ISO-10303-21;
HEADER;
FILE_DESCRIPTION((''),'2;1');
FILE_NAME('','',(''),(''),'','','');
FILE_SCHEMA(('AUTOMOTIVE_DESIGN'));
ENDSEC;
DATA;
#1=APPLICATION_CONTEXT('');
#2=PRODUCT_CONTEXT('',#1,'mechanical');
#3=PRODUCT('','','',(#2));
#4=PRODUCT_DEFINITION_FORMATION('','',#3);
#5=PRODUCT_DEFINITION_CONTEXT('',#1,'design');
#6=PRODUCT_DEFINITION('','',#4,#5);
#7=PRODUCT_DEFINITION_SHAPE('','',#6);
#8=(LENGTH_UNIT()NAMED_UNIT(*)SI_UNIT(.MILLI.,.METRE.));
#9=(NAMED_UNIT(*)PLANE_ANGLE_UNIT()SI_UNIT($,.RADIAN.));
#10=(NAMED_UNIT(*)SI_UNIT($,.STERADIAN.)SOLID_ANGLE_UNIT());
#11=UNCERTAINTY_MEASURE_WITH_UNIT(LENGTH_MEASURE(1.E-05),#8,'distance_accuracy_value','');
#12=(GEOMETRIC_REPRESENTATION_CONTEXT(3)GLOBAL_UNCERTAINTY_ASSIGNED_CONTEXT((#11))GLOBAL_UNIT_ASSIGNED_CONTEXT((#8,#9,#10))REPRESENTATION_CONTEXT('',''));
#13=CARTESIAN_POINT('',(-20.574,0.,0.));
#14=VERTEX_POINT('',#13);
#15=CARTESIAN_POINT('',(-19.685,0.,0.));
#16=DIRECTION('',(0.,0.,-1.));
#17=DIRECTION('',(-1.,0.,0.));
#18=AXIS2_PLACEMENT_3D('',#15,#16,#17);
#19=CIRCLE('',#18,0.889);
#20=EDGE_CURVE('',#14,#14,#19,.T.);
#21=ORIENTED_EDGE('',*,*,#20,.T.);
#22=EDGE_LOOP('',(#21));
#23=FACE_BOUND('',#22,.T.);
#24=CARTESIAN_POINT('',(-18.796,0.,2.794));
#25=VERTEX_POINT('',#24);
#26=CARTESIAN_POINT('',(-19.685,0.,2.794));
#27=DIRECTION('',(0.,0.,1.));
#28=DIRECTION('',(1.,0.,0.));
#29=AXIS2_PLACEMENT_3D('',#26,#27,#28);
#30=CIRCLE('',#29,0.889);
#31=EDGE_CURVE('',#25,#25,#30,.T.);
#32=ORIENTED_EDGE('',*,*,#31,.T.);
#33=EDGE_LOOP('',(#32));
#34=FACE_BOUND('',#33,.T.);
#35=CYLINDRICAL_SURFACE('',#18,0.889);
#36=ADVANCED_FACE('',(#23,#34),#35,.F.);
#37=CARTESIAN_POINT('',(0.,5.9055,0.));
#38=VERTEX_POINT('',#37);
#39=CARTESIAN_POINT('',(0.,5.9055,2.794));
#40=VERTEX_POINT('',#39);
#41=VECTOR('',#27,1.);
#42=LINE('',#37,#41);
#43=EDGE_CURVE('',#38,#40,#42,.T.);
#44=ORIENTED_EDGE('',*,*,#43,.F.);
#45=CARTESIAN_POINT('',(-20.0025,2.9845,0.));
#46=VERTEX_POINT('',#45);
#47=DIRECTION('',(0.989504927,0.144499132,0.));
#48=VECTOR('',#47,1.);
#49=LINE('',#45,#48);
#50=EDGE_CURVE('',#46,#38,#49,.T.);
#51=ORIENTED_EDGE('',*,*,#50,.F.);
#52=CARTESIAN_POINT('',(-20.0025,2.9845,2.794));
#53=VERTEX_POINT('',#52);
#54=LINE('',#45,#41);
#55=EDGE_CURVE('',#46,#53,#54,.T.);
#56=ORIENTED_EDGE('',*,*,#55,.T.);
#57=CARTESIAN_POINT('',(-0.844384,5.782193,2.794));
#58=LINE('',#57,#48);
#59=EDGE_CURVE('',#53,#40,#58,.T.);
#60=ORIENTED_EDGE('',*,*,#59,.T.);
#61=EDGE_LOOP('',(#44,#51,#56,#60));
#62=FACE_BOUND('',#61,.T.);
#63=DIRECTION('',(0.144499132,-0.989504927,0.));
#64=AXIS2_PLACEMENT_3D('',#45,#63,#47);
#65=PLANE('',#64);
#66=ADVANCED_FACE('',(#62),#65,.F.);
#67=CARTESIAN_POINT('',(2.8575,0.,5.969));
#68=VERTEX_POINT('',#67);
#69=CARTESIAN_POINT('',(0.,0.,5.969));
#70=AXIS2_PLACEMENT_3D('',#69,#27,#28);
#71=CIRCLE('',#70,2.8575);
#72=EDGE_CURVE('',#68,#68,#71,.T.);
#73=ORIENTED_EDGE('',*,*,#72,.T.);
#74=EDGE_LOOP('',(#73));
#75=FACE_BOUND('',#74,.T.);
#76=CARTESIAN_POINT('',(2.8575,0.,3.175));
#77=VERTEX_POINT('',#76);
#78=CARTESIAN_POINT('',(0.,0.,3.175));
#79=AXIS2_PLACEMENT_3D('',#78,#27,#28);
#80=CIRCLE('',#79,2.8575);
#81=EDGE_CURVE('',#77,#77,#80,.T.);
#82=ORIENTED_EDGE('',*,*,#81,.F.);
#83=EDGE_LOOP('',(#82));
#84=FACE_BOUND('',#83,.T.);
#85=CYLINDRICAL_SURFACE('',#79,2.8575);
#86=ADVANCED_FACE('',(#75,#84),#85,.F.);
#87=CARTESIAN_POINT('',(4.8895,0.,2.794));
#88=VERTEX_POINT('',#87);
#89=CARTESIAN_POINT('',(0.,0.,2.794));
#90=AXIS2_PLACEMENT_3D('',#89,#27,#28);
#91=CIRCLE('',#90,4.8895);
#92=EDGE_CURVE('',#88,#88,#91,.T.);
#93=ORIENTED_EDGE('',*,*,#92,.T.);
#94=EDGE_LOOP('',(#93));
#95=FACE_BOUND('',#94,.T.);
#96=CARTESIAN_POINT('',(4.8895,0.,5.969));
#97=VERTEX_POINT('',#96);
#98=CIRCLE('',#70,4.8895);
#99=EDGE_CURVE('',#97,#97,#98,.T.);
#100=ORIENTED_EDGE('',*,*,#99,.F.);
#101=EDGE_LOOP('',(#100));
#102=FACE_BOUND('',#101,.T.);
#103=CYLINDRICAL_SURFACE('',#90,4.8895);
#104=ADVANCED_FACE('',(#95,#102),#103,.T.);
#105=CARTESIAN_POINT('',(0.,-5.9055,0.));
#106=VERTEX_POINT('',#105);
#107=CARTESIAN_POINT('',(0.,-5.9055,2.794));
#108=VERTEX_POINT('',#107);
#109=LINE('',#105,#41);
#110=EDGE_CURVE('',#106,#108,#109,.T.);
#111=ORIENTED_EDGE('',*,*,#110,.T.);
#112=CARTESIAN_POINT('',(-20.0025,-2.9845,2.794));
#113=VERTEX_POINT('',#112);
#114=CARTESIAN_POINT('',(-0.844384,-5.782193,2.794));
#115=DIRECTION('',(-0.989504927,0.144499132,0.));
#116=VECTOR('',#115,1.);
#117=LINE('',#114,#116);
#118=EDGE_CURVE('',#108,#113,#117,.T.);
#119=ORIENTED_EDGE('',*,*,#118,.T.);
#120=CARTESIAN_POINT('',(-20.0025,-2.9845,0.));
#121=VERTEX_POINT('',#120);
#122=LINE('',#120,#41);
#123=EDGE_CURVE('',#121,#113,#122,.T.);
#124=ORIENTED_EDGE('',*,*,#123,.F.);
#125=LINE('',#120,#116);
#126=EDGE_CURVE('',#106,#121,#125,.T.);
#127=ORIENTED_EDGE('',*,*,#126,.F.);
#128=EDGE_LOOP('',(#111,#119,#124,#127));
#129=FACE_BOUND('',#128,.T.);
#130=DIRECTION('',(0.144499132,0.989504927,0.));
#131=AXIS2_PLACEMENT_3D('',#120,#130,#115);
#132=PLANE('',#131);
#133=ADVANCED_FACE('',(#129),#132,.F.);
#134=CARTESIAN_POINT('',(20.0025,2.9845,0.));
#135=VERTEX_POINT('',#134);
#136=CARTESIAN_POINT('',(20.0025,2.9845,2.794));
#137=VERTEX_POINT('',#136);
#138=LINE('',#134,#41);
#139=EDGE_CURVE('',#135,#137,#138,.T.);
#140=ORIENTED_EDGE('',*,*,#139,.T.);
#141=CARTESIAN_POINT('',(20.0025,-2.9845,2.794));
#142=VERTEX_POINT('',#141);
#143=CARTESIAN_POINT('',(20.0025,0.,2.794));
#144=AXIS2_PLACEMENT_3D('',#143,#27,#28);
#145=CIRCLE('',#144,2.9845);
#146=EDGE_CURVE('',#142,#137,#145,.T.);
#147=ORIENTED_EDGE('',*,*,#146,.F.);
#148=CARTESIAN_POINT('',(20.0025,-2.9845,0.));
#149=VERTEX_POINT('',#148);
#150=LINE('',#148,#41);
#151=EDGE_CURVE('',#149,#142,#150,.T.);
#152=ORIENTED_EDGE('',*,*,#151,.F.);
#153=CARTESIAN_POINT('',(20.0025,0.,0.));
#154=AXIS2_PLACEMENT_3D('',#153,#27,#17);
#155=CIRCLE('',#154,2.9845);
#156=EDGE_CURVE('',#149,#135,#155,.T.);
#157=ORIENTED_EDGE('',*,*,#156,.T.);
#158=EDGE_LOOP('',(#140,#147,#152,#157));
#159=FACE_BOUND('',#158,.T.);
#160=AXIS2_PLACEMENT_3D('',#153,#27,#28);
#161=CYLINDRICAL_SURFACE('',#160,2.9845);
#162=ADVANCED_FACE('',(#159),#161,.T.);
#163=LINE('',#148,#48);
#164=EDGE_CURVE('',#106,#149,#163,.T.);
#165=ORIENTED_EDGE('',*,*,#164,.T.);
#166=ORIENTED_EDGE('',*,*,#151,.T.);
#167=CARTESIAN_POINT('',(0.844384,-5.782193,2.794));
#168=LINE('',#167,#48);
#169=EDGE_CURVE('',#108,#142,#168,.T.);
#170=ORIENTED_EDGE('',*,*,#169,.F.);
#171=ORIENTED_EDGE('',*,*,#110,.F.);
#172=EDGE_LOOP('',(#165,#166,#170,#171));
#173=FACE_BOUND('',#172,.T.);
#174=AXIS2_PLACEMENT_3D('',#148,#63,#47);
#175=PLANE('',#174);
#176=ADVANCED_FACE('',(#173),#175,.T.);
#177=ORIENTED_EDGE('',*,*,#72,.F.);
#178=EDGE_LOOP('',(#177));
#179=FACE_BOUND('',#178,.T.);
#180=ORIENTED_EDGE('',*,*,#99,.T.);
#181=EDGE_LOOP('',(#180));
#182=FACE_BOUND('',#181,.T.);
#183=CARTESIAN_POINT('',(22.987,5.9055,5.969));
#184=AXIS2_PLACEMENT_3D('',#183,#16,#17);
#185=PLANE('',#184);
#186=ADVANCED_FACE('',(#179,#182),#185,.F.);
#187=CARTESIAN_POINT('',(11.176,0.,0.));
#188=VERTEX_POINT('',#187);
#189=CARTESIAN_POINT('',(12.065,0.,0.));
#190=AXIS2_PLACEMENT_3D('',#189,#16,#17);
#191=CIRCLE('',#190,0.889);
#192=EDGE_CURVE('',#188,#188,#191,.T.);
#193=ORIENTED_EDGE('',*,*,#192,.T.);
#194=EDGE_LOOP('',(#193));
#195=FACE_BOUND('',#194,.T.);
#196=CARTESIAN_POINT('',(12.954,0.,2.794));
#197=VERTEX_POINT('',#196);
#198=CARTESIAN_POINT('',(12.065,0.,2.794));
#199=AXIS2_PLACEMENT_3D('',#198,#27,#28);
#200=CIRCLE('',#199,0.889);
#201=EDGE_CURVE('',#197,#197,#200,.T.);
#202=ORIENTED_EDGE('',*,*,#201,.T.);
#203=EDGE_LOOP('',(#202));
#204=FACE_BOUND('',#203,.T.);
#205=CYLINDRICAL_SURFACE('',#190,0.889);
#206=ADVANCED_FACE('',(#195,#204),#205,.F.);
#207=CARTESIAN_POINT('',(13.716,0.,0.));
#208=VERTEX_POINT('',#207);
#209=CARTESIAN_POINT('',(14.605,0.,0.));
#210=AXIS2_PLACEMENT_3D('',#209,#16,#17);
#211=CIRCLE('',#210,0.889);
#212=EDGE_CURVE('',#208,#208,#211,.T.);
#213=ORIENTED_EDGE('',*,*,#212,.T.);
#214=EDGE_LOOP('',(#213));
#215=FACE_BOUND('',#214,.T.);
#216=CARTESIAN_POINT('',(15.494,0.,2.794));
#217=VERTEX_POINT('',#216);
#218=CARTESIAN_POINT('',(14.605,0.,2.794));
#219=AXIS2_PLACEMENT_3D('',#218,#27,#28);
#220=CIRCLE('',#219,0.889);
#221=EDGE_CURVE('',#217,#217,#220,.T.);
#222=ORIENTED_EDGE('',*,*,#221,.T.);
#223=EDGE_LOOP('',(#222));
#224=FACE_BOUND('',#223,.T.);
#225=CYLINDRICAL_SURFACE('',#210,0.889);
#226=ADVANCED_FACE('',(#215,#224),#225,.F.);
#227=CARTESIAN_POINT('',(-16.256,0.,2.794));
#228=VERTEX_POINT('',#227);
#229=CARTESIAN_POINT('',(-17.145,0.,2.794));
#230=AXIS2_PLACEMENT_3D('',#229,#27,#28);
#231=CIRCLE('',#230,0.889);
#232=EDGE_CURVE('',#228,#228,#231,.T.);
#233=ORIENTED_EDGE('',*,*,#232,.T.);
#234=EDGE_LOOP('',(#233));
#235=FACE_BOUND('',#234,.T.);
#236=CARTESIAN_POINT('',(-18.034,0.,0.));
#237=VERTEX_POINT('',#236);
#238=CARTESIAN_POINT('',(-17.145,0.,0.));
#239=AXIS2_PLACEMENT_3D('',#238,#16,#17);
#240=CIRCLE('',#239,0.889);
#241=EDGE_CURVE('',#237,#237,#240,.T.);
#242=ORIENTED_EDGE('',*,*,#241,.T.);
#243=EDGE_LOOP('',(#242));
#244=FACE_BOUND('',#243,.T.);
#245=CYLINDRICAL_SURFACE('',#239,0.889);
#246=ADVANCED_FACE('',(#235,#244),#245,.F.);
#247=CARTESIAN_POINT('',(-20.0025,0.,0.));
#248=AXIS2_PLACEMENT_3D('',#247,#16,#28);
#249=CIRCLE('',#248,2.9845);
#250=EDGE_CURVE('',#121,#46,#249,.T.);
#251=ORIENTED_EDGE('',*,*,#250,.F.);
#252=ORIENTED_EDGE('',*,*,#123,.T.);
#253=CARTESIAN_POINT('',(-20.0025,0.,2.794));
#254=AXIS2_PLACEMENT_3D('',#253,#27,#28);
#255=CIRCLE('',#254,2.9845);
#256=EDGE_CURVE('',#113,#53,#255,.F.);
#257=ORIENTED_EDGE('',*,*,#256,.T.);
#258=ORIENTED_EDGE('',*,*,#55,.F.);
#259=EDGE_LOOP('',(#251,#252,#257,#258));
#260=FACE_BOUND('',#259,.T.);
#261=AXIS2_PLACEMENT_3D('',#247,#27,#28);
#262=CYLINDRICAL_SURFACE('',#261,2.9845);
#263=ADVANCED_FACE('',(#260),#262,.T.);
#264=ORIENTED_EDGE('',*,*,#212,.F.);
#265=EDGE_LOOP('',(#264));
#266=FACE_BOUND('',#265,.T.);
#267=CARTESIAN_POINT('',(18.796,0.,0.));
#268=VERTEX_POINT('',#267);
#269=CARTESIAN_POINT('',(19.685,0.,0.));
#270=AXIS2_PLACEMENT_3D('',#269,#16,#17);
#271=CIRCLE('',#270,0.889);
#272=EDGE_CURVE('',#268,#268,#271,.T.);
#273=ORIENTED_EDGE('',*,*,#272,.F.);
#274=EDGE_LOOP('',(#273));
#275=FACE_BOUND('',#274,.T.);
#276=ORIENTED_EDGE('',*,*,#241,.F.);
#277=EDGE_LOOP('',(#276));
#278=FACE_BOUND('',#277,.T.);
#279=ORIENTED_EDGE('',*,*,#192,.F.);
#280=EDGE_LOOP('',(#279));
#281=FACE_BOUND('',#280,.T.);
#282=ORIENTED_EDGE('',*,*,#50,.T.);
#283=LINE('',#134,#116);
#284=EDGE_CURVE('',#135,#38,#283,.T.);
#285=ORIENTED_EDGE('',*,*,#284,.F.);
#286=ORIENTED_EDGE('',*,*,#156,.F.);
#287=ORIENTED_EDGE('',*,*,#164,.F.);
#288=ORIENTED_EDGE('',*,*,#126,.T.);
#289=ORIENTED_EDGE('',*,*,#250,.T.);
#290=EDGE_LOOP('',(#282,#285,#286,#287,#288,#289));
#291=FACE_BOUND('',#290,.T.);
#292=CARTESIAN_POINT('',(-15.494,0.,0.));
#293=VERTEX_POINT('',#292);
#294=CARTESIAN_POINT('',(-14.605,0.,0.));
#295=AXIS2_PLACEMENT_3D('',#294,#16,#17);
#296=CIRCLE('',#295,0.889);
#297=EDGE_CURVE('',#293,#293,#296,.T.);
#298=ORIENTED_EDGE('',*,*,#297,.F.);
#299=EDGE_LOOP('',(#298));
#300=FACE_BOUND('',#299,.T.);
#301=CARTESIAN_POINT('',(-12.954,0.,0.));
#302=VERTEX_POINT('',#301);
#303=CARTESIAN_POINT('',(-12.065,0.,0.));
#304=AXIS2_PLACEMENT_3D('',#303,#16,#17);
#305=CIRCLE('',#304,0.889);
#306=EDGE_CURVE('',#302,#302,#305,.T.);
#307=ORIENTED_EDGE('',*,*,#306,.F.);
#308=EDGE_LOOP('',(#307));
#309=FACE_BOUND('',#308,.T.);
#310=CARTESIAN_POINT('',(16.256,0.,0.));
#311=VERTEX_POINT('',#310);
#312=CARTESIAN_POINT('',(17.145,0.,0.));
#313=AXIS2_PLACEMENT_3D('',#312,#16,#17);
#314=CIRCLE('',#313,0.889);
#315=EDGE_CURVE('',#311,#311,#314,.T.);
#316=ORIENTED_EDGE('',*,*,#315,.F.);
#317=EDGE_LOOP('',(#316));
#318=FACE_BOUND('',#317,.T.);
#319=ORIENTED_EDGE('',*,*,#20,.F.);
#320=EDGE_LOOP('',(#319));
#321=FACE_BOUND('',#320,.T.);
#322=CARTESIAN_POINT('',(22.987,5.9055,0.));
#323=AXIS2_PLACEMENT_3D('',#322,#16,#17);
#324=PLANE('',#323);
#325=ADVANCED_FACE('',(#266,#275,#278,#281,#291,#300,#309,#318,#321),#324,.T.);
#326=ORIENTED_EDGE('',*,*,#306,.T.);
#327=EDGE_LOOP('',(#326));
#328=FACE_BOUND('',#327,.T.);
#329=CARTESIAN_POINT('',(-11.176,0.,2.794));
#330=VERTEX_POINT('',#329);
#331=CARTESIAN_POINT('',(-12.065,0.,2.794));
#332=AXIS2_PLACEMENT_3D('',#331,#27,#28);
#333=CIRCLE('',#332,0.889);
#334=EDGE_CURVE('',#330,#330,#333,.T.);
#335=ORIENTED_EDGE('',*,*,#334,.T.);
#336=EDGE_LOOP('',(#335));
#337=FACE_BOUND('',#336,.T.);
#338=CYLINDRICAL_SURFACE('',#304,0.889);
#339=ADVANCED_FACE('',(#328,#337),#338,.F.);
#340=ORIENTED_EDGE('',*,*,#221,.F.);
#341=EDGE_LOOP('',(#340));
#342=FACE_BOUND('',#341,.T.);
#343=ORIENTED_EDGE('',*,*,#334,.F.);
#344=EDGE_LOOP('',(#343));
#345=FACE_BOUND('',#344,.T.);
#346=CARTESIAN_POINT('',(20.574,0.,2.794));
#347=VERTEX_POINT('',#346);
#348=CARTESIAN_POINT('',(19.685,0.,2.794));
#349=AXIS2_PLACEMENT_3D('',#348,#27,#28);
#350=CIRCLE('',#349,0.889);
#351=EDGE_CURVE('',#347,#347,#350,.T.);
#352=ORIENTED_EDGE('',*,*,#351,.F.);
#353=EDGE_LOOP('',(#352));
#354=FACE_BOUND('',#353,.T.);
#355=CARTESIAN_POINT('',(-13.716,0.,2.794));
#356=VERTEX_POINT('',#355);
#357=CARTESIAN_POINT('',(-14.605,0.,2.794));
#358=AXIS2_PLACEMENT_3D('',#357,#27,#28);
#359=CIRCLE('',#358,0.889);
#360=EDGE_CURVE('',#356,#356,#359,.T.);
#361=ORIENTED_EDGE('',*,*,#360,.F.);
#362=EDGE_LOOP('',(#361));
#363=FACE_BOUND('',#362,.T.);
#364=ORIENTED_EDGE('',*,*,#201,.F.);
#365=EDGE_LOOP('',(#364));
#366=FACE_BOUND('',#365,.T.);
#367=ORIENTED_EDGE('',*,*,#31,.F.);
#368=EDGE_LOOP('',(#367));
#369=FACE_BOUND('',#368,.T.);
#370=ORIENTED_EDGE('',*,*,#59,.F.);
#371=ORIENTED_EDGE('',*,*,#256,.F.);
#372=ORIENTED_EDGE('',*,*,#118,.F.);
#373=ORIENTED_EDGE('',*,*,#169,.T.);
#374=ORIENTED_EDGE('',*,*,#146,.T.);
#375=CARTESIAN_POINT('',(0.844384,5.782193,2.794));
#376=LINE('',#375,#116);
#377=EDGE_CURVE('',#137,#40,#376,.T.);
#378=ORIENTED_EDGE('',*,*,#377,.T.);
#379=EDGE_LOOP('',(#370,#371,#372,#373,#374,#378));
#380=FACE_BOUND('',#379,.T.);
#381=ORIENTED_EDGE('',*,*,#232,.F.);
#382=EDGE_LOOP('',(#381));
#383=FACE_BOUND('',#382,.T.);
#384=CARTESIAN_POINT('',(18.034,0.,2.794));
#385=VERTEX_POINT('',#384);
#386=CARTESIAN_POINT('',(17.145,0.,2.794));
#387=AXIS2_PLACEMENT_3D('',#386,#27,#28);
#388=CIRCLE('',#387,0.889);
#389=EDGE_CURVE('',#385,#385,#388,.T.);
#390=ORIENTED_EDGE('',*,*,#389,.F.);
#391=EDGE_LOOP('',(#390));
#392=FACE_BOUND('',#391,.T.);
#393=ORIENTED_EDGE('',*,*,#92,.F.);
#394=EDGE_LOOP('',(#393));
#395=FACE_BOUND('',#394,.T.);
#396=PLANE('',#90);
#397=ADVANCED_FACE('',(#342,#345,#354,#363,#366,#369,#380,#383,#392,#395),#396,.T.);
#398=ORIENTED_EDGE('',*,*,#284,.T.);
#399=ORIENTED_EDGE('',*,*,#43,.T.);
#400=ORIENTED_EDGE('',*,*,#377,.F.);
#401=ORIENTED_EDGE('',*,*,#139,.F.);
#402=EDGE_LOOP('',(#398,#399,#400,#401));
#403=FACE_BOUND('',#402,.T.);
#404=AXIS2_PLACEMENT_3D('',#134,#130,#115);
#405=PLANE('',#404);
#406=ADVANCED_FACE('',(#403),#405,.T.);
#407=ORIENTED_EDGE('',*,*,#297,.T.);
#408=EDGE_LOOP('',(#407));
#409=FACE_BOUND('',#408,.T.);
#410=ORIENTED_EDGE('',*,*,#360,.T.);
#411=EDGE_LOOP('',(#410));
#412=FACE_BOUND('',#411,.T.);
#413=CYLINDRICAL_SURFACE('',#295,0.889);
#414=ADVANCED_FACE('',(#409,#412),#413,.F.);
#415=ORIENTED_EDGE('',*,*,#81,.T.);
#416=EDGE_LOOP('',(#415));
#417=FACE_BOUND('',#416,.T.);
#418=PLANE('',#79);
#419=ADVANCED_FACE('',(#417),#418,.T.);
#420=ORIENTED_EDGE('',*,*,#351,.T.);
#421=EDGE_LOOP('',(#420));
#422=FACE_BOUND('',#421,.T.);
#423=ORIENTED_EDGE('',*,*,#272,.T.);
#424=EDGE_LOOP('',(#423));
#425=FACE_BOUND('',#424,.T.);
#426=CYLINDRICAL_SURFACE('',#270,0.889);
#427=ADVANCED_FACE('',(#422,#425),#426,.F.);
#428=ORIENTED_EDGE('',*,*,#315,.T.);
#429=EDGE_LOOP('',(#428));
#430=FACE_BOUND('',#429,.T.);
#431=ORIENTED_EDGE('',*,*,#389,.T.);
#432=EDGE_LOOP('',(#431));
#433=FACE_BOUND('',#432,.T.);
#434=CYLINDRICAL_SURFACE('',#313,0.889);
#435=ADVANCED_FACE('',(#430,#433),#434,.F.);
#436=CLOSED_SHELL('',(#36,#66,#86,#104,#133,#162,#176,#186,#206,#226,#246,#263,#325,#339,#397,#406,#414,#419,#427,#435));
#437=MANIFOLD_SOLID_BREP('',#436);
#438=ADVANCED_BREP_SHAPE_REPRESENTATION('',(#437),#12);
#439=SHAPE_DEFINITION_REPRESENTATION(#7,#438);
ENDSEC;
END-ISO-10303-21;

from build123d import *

# Parameters (mm, degrees)
SKETCH1_W         = 45.974
SKETCH1_H         = 11.811
EXTRUDE1_DEPTH    = 5.969
SKETCH2_OUTSIDE_W = 57.542
SKETCH2_OUTSIDE_H = 23.379
SKETCH2_OUTSIDE_R = 4.8895
EXTRUDE2_DEPTH    = 3.175
SKETCH3_R         = 2.8575
EXTRUDE3_DEPTH    = 2.794
LPATTERN1_COUNT   = 4
LPATTERN1_PITCH   = 2.54
EXTRUDE4_DEPTH    = 6.969


with BuildPart() as part:
    # Sketch1 → Extrude1 (new body)
    with BuildSketch(Plane.XY):
        Rectangle(SKETCH1_W, SKETCH1_H)
    extrude(amount=EXTRUDE1_DEPTH)

    # Sketch2 outside → Extrude2 (cut)
    with BuildSketch(Plane.XY.offset(5.969)):
        with Locations((0, -0.0005)):
            Rectangle(SKETCH2_OUTSIDE_W, SKETCH2_OUTSIDE_H)
        Circle(SKETCH2_OUTSIDE_R, mode=Mode.SUBTRACT)
    extrude(amount=-EXTRUDE2_DEPTH, mode=Mode.SUBTRACT)

    # Sketch3 → Extrude3 (cut)
    with BuildSketch(Plane.XY.offset(5.969)):
        Circle(SKETCH3_R)
    extrude(amount=-EXTRUDE3_DEPTH, mode=Mode.SUBTRACT)

    # Sketch5 → #50 (0.07) Diameter Hole1 (revolve, cut)
    with BuildSketch(Plane.YZ.offset(12.065)):
        Polygon((0, 0), (0, 5.61416509), (0.889, 5.08), (0.889, 0), align=None)
    f_50_0_07_diameter_hole1 = revolve(axis=Axis((12.065, 0, -6.35), (0, 0, 1)), mode=Mode.SUBTRACT)

    # LPattern1: #50 (0.07) Diameter Hole1 ×4
    with Locations(*[(i * LPATTERN1_PITCH, 0, 0) for i in range(1, LPATTERN1_COUNT)]):
        add(f_50_0_07_diameter_hole1, mode=Mode.SUBTRACT)

    # Mirror1: #50 (0.07) Diameter Hole1 across plane
    add(f_50_0_07_diameter_hole1.mirror(Plane(origin=(0, 0, 0), x_dir=(0, 0, 1), z_dir=(1, 0, 0))), mode=Mode.SUBTRACT)

    # Mirror1 copy 1 sketch → Mirror1 copy 1 (revolve, cut)
    with BuildSketch(Plane(origin=(-14.605, 0, 0), x_dir=(0, 1, 0), z_dir=(-1, 0, 0))):
        Polygon((0, 0), (0, -5.61416509), (0.889, -5.08), (0.889, 0), align=None)
    revolve(axis=Axis((-14.605, 0, -6.35), (0, 0, -1)), mode=Mode.SUBTRACT)

    # Mirror1 copy 2 sketch → Mirror1 copy 2 (revolve, cut)
    with BuildSketch(Plane(origin=(-17.145, 0, 0), x_dir=(0, 1, 0), z_dir=(-1, 0, 0))):
        Polygon((0, 0), (0, -5.61416509), (0.889, -5.08), (0.889, 0), align=None)
    revolve(axis=Axis((-17.145, 0, -6.35), (0, 0, -1)), mode=Mode.SUBTRACT)

    # Mirror1 copy 3 sketch → Mirror1 copy 3 (revolve, cut)
    with BuildSketch(Plane(origin=(-19.685, 0, 0), x_dir=(0, 1, 0), z_dir=(-1, 0, 0))):
        Polygon((0, 0), (0, -5.61416509), (0.889, -5.08), (0.889, 0), align=None)
    revolve(axis=Axis((-19.685, 0, -6.35), (0, 0, -1)), mode=Mode.SUBTRACT)

    # Sketch6 → Extrude4 (cut, through all)
    with BuildSketch(Plane(origin=(0, 0, 0), x_dir=(-1, 0, 0), z_dir=(0, 0, -1))):
        with BuildLine():
            Line((-61.04017999, 14.819304062), (0, 5.9055))
            Line((0, 5.9055), (20.0025, 2.9845))
            ThreePointArc((20.0025, 2.9845), (22.112860188, 2.110360188), (22.987, 0))
            ThreePointArc((22.987, 0), (22.112860188, -2.110360188), (20.0025, -2.9845))
            Line((20.0025, -2.9845), (0, -5.9055))
            Line((0, -5.9055), (-61.04017999, -14.819304062))
            Line((-61.04017999, -14.819304062), (62.335011618, -14.819304062))
            Line((62.335011618, -14.819304062), (62.335011618, 14.819304062))
            Line((62.335011618, 14.819304062), (-61.04017999, 14.819304062))
        make_face()
    extrude4 = extrude(amount=-EXTRUDE4_DEPTH, mode=Mode.SUBTRACT)

    # Mirror2: Extrude4 across plane
    add(extrude4.mirror(Plane(origin=(0, 0, 0), x_dir=(0, 0, 1), z_dir=(1, 0, 0))), mode=Mode.SUBTRACT)


solid = part.part
